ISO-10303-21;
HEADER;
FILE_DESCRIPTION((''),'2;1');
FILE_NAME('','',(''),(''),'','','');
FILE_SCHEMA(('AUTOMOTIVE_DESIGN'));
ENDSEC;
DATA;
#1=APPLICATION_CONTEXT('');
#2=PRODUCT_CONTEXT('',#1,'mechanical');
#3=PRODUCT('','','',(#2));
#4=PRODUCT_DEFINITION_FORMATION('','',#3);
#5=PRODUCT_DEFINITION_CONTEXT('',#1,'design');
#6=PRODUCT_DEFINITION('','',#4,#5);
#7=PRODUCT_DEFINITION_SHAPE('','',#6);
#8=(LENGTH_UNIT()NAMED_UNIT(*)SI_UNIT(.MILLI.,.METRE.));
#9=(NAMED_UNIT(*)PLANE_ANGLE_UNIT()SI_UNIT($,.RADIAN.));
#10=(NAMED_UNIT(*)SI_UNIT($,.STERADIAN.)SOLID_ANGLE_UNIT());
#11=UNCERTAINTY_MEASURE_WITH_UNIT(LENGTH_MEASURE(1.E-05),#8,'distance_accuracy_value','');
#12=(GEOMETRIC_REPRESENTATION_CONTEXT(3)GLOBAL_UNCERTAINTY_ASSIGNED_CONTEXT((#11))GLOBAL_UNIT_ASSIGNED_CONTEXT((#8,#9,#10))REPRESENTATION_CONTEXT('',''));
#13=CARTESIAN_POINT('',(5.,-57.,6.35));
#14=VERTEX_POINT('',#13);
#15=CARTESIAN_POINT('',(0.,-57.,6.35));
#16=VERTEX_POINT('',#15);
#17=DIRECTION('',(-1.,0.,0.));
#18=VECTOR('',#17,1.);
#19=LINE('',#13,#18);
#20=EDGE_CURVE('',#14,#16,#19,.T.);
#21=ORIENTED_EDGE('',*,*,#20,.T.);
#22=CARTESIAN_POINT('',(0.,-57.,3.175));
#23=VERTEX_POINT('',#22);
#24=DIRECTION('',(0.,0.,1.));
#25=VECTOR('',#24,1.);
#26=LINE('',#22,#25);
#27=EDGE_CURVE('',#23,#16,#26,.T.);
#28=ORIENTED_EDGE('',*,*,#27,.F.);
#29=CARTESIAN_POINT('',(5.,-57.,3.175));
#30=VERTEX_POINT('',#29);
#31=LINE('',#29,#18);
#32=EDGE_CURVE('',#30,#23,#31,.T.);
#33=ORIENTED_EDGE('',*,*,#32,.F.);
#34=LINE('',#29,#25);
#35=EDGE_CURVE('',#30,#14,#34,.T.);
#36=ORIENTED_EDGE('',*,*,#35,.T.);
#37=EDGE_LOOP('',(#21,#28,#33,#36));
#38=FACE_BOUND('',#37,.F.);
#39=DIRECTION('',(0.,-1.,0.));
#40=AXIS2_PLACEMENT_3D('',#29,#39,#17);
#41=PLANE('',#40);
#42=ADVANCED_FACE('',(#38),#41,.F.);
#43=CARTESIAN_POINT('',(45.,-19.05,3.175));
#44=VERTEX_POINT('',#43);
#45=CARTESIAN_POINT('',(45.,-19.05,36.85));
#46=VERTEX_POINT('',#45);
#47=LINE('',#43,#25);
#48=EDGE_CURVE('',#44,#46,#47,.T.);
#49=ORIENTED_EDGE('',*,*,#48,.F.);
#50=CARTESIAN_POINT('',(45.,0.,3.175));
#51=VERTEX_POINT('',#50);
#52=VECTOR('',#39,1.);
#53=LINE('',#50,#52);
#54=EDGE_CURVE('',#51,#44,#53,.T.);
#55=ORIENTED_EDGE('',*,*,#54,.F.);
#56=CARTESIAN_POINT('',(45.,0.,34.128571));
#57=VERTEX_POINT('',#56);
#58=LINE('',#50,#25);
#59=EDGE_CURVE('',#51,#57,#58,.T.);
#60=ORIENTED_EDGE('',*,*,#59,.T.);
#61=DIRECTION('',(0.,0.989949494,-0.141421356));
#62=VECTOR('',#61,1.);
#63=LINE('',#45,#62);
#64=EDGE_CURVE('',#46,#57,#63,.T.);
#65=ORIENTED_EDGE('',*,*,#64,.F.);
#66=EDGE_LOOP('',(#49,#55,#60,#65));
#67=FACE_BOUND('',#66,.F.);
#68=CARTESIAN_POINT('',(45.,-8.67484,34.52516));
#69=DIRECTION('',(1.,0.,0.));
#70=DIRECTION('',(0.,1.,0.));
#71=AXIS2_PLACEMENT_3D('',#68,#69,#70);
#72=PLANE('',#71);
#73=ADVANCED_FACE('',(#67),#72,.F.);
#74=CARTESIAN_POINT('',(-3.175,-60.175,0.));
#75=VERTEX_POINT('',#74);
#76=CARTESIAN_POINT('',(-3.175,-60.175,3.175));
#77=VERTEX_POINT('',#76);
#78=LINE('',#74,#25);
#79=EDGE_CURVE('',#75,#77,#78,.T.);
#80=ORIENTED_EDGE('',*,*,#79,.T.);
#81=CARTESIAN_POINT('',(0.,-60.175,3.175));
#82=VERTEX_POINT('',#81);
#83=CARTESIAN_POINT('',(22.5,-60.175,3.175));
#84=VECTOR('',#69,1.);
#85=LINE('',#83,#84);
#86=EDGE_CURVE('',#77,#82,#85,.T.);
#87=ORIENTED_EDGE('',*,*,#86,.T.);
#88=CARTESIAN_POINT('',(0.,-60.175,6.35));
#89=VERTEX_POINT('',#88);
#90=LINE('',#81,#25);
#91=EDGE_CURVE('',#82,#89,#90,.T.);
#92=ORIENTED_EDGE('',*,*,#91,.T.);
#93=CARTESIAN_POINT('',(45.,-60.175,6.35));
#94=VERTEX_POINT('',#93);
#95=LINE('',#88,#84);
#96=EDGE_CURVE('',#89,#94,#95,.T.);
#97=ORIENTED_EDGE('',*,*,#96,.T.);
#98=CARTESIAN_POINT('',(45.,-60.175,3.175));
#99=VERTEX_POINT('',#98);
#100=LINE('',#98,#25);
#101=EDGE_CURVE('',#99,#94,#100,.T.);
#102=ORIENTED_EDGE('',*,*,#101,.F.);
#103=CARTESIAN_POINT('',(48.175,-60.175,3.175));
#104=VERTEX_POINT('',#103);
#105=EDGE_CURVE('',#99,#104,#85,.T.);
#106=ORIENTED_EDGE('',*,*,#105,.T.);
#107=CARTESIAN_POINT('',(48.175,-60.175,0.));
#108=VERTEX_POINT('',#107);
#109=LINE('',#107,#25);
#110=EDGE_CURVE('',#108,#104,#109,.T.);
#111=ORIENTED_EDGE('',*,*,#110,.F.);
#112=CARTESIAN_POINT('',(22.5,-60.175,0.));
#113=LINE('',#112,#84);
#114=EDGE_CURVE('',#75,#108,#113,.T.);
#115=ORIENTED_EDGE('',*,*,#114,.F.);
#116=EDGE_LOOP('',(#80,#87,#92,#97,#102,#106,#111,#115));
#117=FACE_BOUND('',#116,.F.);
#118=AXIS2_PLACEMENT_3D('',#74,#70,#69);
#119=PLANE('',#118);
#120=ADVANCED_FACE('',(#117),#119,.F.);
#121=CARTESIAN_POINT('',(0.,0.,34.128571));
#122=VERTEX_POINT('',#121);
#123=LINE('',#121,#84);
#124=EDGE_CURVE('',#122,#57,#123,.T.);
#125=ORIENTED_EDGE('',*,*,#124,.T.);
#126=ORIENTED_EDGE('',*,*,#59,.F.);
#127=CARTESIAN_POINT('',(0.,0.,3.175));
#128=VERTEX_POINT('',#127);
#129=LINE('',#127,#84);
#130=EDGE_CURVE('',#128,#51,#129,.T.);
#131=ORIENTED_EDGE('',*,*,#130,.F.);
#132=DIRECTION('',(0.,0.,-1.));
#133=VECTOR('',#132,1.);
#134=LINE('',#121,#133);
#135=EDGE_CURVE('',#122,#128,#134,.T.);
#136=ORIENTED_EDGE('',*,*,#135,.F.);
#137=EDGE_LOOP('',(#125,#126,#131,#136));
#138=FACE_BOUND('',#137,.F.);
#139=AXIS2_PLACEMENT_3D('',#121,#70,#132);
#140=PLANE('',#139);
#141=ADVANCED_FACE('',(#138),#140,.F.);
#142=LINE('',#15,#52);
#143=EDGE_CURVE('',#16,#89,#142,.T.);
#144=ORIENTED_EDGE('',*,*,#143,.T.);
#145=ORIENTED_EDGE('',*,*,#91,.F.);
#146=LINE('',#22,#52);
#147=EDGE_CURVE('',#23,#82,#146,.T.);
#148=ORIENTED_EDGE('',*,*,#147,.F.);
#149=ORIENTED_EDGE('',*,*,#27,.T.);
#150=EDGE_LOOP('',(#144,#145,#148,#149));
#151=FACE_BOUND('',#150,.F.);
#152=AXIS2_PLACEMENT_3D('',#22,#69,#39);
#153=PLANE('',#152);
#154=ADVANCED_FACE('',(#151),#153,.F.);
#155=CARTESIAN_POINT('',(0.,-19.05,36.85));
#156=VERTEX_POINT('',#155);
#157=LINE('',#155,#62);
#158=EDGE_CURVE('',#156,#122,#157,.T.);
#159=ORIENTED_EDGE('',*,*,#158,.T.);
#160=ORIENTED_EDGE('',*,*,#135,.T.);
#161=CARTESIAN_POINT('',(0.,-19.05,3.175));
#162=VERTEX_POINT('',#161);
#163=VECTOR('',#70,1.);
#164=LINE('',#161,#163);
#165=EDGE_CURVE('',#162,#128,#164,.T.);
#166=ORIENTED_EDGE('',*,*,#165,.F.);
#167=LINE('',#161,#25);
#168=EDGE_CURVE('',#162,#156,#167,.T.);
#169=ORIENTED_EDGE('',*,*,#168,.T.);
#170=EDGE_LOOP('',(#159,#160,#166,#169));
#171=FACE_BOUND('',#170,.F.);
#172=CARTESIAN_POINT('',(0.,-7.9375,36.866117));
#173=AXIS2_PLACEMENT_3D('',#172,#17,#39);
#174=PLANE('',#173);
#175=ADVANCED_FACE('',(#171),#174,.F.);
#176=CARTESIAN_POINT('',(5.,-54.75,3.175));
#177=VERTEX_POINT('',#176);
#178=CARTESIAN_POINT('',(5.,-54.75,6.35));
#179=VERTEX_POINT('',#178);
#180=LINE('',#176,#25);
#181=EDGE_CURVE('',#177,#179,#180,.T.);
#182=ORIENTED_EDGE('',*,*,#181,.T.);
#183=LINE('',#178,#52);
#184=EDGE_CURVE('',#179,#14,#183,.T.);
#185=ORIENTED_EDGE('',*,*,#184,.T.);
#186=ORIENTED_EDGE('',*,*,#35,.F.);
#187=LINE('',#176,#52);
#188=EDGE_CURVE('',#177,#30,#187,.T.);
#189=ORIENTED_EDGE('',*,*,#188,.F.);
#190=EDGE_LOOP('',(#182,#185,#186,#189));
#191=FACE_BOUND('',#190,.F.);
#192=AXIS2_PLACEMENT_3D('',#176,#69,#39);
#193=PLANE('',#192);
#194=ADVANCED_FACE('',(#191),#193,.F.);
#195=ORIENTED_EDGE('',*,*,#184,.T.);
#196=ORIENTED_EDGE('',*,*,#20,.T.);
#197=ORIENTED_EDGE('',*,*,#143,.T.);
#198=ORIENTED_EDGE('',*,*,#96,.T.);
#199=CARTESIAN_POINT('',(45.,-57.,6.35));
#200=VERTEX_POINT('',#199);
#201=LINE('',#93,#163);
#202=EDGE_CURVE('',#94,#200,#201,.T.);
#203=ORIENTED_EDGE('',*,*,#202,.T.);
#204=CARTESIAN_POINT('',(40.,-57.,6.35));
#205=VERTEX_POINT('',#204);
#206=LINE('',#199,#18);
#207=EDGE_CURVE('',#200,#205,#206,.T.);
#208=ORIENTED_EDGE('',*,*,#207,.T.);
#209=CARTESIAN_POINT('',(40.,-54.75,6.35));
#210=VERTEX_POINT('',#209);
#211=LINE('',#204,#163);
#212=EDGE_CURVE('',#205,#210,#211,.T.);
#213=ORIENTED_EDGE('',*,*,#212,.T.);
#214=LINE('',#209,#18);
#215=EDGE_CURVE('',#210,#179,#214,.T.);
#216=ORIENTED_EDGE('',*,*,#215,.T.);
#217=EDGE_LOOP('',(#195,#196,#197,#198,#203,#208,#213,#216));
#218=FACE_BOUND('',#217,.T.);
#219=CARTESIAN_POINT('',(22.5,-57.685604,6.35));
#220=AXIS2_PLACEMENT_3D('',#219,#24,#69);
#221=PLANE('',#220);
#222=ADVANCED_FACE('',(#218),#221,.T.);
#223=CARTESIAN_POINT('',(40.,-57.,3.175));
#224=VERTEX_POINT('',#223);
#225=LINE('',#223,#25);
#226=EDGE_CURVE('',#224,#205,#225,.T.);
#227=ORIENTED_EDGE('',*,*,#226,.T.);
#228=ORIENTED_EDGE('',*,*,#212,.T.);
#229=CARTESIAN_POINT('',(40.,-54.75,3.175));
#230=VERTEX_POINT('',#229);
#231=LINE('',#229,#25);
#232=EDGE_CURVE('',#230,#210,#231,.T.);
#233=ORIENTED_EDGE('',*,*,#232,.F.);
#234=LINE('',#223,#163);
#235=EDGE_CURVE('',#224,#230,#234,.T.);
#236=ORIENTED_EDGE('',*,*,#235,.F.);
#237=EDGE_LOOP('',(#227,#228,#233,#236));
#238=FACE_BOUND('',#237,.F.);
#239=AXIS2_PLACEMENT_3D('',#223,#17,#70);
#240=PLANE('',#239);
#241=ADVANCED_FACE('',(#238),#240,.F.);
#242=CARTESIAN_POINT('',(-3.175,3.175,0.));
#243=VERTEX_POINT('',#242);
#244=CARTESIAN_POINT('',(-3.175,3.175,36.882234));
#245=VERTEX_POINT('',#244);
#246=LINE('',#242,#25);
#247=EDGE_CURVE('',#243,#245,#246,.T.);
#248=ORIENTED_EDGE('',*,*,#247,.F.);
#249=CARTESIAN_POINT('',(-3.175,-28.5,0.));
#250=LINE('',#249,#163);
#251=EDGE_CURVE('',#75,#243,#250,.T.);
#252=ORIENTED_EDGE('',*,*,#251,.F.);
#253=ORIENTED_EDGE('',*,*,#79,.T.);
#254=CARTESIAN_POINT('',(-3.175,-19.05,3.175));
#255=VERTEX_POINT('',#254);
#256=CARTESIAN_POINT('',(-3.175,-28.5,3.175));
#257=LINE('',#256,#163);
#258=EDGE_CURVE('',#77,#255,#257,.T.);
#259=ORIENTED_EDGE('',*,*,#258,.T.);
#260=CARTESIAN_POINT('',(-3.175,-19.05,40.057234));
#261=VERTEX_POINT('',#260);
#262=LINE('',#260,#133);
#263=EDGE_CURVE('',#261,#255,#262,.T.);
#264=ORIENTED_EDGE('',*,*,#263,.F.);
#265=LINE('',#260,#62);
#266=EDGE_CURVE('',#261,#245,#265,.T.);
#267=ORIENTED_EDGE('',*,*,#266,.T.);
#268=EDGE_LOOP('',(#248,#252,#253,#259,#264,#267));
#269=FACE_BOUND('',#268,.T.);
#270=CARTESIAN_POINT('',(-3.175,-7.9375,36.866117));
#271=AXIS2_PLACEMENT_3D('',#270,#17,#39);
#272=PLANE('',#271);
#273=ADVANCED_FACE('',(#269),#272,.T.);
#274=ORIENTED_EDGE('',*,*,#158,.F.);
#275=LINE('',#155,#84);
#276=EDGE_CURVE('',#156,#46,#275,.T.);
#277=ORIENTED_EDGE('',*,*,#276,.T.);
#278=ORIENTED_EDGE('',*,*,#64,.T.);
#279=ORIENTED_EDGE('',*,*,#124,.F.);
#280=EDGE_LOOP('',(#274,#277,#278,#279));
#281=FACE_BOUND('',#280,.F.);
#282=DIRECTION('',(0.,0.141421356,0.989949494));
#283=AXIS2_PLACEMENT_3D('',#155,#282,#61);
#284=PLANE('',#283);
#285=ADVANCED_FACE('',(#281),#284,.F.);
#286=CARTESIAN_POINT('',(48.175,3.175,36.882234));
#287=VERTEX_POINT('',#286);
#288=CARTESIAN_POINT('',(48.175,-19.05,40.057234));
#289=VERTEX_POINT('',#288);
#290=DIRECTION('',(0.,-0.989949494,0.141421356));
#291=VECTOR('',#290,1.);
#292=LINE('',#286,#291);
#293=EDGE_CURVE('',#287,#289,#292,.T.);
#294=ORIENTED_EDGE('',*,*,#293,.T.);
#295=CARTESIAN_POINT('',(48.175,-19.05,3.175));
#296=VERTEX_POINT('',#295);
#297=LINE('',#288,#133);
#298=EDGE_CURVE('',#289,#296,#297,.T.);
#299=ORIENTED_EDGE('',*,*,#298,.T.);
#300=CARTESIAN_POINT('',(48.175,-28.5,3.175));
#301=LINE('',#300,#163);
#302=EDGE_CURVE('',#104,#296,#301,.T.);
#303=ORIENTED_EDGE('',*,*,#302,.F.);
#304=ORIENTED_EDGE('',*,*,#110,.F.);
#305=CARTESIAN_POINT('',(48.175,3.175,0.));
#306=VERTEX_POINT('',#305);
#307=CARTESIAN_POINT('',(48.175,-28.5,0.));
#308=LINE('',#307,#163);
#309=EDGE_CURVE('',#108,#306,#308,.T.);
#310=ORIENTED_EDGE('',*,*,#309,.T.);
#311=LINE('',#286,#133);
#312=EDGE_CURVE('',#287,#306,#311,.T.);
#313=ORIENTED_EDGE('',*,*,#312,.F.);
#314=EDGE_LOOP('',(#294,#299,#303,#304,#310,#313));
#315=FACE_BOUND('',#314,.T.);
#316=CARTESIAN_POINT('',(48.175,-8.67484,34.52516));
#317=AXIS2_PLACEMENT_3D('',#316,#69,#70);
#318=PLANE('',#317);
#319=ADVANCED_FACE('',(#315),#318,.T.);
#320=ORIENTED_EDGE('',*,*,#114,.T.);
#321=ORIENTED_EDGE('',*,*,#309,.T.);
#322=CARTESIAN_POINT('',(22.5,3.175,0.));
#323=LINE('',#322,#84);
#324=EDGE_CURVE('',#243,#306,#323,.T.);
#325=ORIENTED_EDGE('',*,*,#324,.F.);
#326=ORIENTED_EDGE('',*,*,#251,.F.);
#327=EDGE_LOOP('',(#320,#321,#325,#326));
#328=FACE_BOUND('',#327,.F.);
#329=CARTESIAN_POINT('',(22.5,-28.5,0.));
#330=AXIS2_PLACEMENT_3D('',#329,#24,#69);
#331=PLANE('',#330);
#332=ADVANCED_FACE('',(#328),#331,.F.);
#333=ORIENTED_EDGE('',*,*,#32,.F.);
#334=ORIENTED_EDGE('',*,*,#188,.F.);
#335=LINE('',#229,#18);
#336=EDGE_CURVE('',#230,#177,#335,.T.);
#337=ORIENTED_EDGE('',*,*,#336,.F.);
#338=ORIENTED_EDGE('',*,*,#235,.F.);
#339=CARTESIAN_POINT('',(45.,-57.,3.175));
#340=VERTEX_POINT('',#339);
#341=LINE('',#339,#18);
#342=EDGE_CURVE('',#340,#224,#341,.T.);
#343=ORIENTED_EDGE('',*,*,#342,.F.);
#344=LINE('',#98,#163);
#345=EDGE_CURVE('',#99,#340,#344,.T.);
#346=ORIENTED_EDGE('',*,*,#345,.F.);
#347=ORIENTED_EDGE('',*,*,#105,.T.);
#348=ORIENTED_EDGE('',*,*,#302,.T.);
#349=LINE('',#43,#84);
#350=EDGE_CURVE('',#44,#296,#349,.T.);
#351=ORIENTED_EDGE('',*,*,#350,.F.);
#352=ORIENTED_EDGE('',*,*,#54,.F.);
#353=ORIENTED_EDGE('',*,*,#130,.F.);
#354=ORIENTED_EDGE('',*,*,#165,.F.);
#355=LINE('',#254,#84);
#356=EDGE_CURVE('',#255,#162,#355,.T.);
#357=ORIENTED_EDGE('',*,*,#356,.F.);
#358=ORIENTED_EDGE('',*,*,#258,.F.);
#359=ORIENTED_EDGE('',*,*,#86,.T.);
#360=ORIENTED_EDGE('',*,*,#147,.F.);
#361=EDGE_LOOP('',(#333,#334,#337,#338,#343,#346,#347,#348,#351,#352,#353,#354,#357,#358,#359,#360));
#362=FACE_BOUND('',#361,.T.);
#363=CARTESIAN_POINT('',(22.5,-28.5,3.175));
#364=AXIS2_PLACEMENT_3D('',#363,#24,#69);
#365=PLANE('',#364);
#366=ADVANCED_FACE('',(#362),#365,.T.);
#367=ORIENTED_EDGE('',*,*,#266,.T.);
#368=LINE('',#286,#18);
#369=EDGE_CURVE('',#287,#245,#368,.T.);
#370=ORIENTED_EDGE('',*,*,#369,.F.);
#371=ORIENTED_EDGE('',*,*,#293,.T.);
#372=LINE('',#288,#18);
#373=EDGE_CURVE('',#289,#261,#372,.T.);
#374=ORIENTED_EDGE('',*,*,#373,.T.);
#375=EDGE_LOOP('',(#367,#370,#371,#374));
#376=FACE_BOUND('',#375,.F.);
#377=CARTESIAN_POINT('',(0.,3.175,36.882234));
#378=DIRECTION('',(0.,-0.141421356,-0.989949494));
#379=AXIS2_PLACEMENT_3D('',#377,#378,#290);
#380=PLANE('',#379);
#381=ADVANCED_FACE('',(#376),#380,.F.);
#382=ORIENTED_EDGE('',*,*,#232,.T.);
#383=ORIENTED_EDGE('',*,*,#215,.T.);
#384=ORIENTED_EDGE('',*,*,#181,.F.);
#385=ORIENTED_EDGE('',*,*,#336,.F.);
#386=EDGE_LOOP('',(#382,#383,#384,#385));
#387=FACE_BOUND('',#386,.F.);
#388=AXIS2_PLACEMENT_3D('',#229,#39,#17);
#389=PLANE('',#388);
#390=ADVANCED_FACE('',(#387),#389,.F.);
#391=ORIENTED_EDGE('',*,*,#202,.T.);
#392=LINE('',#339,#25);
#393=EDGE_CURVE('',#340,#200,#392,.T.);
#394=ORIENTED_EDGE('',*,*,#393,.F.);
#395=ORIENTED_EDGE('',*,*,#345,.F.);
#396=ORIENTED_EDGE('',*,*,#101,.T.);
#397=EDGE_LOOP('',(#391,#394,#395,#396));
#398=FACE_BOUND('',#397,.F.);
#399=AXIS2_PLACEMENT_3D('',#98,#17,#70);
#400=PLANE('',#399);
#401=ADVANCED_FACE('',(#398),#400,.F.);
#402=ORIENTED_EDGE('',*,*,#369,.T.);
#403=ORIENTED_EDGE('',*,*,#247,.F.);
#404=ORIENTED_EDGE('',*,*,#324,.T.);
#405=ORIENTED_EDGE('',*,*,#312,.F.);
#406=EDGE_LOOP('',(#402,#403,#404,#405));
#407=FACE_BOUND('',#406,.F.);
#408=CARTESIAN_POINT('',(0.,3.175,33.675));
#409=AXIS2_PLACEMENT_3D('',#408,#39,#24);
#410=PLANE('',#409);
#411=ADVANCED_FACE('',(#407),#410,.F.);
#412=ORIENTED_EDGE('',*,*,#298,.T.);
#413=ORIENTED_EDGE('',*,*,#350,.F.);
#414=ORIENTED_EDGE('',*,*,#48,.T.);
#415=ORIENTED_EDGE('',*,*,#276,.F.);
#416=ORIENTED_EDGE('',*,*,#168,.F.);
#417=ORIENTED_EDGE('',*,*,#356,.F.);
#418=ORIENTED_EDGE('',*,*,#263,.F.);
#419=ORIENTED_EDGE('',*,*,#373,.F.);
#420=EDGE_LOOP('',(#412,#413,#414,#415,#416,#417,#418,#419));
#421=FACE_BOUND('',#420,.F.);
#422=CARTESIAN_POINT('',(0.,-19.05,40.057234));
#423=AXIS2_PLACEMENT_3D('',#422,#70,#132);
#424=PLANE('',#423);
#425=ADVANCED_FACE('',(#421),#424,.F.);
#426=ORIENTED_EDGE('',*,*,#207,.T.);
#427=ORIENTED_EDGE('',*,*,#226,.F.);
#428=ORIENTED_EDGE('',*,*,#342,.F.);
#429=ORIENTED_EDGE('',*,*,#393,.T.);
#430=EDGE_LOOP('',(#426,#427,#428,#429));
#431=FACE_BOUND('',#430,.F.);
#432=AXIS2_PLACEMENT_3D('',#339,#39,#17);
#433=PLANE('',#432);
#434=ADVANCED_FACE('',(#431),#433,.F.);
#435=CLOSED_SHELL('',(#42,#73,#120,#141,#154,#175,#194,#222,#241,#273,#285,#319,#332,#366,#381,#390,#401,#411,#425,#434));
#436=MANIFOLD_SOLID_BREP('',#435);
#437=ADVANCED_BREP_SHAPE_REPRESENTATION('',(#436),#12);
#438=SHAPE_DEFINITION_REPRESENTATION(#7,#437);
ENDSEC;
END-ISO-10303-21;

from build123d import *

# Parameters (mm, degrees)
F0_W      = 51.35
F0_H      = 63.35
F1_DEPTH  = 3.175
F3_DEPTH  = 30.5
F5_DEPTH  = 3.175
F7_DEPTH  = 3.175
F9_DEPTH  = 45
F11_DEPTH = 3.175


with BuildPart() as f1:
    # F0 (on Top) → F1 (new body)
    with BuildSketch(Plane.XY):
        with Locations((22.5, -28.5)):
            Rectangle(F0_W, F0_H)
        Polygon((0, -57), (0, 0), (22.5, 0), (45, 0), (45, -57), (40, -57), (40, -54.75), (22.5, -54.75), (5, -54.75), (5, -57), align=None, mode=Mode.SUBTRACT)
        Polygon((22.5, 0), (0, 0), (0, -57), (5, -57), (5, -54.75), (22.5, -54.75), align=None)
        Polygon((45, 0), (22.5, 0), (22.5, -54.75), (40, -54.75), (40, -57), (45, -57), align=None)
    extrude(amount=F1_DEPTH)

    # F2 (on face) → F3 (join)
    with BuildSketch(Plane.XY.offset(3.175)):
        Polygon((0, -19.05), (0, 0), (22.5, 0), (45, 0), (45, -19.05), (48.175, -19.05), (48.175, 3.175), (-3.175, 3.175), (-3.175, -19.05), align=None)
    extrude(amount=F3_DEPTH)

    # F4 (on face) → F5 (join, through all)
    with BuildSketch(Plane.YZ.offset(48.175)):
        Polygon((-19.05, 36.85), (-19.05, 33.675), (3.175, 33.675), align=None)
        Polygon((-19.05, 40.057234329), (-19.05, 36.85), (3.175, 33.675), (3.175, 36.882234329), align=None)
    extrude(amount=-F5_DEPTH)

    # F6 (on face) → F7 (join, through all)
    with BuildSketch(Plane(origin=(-3.175, 0, 0), x_dir=(0, -1, 0), z_dir=(-1, 0, 0))):
        Polygon((-3.175, 33.675), (19.05, 36.85), (19.05, 40.057234329), (-3.175, 36.882234329), align=None)
        Polygon((-3.175, 33.675), (19.05, 33.675), (19.05, 36.85), align=None)
    extrude(amount=-F7_DEPTH)

    # F8 (on face) → F9 (join, through all)
    with BuildSketch(Plane.YZ):
        Polygon((-19.05, 40.057234329), (-19.05, 36.85), (0, 34.1285714286), (0, 33.675), (3.175, 33.675), (3.175, 36.882234329), align=None)
    extrude(amount=F9_DEPTH)

    # F10 (on face) → F11 (join)
    with BuildSketch(Plane.XY.offset(3.175)):
        Polygon((40, -54.75), (22.5, -54.75), (5, -54.75), (5, -57), (0, -57), (0, -60.175), (45, -60.175), (45, -57), (40, -57), align=None)
    extrude(amount=F11_DEPTH)


solid = f1.part
